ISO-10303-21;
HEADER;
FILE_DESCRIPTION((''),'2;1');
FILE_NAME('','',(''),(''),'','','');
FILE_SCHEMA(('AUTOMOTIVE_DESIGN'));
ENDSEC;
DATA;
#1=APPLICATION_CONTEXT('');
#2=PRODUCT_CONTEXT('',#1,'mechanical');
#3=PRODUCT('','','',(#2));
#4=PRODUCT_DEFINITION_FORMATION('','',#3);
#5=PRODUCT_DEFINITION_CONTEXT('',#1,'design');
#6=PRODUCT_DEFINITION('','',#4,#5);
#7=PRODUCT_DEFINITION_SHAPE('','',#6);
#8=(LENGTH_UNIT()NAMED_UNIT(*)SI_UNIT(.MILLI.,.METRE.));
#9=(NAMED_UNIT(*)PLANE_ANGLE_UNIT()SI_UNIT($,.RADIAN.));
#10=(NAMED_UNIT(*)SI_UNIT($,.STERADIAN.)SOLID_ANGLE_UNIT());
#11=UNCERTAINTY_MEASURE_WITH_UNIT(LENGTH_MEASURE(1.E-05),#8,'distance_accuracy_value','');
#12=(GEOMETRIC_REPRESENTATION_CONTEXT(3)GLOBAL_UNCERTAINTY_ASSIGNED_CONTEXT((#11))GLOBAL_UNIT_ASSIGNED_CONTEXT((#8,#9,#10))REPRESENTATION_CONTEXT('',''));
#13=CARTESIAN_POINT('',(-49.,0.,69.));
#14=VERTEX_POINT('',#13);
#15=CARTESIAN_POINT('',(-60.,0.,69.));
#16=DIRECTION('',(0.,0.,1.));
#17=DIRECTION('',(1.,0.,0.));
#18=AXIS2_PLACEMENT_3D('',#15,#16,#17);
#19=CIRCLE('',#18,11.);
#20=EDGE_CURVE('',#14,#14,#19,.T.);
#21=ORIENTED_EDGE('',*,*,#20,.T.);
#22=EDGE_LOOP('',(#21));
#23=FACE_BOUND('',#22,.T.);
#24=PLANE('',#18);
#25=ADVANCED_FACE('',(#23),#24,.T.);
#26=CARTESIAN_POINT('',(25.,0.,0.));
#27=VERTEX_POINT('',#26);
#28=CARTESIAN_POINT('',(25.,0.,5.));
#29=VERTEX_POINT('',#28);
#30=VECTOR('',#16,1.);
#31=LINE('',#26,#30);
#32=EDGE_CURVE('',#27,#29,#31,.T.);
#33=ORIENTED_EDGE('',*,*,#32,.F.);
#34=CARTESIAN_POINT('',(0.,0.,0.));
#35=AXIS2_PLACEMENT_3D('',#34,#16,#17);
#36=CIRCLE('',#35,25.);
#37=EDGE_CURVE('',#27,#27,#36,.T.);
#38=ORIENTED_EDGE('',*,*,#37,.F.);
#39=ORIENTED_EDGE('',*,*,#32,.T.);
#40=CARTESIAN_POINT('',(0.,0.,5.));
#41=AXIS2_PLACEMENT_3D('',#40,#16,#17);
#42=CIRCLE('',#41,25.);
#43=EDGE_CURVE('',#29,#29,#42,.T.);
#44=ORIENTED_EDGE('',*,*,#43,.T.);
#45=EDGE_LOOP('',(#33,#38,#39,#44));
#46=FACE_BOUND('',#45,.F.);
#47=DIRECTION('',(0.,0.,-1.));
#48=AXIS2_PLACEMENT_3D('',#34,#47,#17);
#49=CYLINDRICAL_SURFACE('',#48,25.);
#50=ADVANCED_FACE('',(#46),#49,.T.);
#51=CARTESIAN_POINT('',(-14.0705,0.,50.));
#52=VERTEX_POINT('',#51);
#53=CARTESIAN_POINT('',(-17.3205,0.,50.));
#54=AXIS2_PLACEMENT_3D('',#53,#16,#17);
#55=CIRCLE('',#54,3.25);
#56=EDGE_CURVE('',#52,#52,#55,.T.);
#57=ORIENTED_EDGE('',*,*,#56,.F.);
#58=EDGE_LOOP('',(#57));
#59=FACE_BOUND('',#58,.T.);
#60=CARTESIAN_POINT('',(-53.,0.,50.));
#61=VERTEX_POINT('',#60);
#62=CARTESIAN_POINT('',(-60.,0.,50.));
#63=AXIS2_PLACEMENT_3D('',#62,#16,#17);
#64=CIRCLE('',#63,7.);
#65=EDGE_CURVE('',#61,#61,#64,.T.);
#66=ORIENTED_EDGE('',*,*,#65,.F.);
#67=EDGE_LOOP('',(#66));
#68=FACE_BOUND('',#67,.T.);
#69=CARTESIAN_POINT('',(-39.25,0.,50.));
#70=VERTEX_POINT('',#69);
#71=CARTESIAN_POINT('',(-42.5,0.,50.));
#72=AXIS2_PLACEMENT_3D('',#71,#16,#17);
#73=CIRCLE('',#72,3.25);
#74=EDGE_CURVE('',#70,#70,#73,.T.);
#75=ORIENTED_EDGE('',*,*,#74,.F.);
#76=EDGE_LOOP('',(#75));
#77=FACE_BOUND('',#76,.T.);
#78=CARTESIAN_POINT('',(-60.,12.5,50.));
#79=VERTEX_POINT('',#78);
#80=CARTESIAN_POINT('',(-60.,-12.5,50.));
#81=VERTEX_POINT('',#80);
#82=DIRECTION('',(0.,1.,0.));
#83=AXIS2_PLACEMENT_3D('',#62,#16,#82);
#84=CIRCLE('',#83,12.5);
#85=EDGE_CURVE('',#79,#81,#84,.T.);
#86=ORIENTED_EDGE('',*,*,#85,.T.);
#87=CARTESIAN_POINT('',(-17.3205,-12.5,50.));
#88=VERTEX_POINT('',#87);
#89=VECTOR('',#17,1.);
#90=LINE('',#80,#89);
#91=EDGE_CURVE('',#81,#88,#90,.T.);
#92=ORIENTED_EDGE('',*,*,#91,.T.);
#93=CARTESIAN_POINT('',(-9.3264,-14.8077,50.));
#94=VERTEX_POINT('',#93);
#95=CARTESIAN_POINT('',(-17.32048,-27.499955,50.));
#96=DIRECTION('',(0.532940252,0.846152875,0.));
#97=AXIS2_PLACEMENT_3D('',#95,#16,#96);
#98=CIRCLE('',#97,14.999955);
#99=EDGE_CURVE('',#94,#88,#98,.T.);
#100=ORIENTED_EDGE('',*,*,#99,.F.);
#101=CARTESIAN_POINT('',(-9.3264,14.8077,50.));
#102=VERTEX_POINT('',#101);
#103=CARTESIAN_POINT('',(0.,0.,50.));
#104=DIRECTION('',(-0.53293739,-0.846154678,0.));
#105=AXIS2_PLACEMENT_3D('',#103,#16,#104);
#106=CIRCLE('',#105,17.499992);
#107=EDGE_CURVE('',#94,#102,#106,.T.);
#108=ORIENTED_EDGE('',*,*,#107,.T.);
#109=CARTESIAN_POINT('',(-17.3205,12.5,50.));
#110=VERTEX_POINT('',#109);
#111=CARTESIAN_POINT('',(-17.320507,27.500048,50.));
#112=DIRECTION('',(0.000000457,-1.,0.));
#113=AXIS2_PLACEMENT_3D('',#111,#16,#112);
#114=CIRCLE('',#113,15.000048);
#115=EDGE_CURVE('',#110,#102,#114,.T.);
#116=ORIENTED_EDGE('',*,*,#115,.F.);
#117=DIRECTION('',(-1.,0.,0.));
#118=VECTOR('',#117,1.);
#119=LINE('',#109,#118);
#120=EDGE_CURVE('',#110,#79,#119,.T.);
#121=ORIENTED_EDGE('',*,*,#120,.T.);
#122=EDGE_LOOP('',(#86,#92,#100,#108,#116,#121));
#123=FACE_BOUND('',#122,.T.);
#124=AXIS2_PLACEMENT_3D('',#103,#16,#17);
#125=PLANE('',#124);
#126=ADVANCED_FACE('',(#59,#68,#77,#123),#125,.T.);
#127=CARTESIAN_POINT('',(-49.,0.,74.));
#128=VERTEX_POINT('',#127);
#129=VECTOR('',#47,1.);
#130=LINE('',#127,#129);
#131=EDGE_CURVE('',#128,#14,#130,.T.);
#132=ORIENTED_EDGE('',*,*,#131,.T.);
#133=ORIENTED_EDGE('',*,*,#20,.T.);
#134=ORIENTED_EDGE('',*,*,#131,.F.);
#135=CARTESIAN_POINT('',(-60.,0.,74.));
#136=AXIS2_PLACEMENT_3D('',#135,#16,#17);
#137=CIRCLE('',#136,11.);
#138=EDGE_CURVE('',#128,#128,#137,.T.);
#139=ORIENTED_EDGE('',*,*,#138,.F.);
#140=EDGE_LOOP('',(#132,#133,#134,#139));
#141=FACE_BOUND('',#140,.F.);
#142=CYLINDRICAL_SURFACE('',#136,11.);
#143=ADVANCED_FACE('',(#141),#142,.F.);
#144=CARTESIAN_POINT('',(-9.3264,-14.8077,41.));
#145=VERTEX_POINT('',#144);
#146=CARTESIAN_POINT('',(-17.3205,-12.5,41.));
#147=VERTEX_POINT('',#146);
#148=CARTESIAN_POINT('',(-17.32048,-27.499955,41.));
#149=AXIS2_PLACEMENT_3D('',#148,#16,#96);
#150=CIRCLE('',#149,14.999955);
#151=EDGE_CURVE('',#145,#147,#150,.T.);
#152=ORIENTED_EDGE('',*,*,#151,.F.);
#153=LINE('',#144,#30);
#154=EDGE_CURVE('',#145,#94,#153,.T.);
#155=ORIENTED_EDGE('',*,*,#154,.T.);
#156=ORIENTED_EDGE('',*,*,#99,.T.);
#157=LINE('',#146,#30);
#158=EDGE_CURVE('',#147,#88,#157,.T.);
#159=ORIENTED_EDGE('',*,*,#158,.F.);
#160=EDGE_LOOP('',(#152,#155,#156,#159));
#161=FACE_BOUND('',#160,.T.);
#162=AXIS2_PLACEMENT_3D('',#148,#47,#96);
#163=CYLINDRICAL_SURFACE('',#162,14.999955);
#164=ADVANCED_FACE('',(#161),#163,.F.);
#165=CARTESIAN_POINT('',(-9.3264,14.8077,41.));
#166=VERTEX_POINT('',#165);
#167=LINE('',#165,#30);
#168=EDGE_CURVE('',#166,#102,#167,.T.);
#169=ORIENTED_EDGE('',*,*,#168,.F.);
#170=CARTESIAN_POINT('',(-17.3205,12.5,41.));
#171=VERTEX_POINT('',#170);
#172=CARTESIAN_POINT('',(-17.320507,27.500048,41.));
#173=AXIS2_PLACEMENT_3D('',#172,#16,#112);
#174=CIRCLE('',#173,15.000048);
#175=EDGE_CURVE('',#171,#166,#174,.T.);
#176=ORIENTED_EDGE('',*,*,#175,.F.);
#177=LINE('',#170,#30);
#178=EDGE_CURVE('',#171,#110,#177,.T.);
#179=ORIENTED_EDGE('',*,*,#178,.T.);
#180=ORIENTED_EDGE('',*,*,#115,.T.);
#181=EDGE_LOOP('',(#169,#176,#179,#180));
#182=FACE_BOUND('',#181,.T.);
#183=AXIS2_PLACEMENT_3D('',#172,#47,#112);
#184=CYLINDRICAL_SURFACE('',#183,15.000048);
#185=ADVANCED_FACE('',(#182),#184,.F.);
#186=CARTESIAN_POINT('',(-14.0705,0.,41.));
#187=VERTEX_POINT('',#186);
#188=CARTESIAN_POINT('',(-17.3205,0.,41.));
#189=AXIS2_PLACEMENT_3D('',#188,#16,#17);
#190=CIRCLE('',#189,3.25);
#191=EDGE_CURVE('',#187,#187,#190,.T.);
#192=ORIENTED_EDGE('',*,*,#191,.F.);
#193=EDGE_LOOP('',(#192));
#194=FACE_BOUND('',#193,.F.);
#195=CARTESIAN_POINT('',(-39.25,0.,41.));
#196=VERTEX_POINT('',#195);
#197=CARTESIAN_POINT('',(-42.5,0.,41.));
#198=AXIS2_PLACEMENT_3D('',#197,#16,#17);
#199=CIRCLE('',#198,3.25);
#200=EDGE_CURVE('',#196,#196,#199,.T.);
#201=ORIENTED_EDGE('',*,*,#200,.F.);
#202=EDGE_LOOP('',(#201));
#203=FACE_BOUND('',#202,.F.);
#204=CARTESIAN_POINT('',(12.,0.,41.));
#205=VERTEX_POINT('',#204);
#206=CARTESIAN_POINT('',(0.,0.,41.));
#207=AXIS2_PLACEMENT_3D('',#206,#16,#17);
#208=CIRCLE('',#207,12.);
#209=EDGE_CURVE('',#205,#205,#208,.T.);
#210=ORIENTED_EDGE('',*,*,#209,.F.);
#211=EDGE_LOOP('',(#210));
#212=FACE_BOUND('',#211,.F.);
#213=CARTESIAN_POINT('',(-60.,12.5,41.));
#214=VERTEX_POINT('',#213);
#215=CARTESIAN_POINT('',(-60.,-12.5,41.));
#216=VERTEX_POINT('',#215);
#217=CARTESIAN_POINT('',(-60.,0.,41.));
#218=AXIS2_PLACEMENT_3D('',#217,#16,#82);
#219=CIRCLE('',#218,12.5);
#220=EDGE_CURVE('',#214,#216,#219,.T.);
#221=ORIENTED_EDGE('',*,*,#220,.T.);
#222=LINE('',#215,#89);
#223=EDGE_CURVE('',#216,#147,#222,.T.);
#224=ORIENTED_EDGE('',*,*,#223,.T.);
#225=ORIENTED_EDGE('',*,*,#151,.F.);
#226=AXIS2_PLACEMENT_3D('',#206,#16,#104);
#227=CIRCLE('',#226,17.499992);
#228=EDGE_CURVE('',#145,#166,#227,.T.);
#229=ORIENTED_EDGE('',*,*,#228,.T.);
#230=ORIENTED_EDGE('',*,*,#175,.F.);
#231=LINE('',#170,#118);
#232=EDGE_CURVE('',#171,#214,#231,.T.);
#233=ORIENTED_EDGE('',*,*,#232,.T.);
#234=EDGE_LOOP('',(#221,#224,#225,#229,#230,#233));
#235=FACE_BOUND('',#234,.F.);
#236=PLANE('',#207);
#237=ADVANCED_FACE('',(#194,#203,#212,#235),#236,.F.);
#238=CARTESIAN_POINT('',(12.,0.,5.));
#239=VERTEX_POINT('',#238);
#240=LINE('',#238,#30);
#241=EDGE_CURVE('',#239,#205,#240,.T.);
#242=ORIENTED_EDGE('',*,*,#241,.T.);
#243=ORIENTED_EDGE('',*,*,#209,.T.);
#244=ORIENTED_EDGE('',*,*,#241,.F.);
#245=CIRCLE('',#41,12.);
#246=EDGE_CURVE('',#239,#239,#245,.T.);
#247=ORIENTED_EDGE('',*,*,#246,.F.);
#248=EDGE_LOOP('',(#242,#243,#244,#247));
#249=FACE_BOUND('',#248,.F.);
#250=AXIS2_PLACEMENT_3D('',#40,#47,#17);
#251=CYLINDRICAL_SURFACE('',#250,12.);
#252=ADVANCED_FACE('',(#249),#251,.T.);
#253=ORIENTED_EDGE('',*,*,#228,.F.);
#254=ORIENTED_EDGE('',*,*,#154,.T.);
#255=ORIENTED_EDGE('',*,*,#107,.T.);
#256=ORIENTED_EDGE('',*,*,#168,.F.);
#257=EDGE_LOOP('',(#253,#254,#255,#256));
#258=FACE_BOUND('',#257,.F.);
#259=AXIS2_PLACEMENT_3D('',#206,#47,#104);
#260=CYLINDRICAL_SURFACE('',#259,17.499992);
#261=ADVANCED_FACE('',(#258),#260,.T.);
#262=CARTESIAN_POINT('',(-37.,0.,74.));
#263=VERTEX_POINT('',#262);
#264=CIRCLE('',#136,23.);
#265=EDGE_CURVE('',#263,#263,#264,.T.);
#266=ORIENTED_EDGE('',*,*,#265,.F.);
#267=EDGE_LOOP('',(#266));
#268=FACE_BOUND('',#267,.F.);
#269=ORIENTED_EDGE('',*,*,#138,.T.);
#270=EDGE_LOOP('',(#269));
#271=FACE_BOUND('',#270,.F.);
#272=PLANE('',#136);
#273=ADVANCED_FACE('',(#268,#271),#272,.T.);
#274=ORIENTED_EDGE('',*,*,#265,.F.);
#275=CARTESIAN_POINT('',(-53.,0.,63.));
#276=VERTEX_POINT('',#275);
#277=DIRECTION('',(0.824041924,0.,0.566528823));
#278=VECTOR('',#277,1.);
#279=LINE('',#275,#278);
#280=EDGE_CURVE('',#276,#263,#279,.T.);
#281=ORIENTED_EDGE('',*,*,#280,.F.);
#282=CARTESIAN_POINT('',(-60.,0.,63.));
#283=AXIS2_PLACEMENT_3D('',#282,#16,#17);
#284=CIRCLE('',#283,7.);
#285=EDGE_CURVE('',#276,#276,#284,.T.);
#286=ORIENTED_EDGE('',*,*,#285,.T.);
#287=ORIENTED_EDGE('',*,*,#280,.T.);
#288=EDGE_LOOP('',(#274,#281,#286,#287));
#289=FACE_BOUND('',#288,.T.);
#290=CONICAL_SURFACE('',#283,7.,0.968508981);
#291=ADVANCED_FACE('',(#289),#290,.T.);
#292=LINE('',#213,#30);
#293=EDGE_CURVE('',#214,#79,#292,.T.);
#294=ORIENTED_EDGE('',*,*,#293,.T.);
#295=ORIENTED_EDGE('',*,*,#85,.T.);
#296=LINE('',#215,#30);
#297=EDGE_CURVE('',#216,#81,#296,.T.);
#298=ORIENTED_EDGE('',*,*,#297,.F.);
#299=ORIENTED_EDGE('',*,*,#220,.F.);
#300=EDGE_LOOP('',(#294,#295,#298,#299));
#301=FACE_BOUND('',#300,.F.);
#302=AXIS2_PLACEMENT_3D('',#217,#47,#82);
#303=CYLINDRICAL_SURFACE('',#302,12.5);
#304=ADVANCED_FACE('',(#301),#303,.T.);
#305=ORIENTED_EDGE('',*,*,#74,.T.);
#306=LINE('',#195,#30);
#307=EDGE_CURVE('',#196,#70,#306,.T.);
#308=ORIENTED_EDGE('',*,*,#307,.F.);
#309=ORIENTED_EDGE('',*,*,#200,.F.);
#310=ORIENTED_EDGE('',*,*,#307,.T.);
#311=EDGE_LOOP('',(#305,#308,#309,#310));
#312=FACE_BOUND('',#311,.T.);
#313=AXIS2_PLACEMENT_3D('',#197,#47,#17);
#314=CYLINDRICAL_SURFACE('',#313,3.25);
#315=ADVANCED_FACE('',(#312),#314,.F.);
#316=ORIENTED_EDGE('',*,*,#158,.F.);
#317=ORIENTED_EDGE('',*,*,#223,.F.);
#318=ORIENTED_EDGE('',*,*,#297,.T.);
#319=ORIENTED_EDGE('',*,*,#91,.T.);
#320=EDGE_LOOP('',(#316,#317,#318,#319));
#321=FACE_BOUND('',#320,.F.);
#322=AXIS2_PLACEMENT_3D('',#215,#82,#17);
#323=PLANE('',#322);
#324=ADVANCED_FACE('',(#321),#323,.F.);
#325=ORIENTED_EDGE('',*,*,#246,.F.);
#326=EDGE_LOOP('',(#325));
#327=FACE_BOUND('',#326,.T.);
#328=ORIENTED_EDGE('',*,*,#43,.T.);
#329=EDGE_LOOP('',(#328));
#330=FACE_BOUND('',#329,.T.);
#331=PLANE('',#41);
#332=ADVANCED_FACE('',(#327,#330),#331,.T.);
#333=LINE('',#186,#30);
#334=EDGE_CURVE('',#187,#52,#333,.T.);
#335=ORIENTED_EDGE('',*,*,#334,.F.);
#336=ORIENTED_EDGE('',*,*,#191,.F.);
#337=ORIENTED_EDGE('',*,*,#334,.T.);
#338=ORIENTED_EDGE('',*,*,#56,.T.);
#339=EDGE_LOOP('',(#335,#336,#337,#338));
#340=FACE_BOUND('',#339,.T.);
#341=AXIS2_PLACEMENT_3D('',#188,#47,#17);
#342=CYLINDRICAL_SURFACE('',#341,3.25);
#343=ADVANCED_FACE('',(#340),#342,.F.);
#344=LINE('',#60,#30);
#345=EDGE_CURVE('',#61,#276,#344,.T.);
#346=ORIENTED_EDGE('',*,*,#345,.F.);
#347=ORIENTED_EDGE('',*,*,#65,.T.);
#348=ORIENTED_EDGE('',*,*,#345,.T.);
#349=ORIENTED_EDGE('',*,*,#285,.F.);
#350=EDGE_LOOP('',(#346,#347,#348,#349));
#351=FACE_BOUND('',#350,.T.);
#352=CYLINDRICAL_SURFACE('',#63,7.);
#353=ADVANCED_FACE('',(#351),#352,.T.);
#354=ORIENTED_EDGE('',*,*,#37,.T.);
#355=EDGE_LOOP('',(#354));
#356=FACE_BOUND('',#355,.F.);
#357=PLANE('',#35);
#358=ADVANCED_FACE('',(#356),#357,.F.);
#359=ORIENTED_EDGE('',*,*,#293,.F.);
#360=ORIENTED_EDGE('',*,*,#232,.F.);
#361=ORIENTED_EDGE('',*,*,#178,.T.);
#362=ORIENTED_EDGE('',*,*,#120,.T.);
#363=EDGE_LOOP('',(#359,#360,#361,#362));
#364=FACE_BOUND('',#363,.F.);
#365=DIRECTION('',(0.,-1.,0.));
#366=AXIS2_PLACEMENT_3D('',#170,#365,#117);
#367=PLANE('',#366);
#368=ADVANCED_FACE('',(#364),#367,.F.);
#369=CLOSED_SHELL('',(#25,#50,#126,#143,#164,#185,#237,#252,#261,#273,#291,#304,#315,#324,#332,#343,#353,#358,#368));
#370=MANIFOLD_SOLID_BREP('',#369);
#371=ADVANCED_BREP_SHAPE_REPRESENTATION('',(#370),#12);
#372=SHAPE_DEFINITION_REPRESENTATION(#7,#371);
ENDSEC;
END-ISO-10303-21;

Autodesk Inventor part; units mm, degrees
ref_plane "YZ Plane" through (0, 0, 0) normal (1, 0, 0) x (0, 1, 0)
ref_plane "XZ Plane" through (0, 0, 0) normal (0, 1, 0) x (-1, 0, 0)
ref_plane "XY Plane" through (0, 0, 0) normal (0, 0, 1) x (1, 0, 0)
sketch "Boceto2" plane through (0, 0, 0) normal (0, 0, 1) x (1, 0, 0)
  circle A0 centre (0, 0) radius 25
  dimension "d0" = 50
extrude "Extrusión1" add sketch "Boceto2" along normal blind 5
sketch "Boceto3" plane through (0, 0, 5) normal (0, 0, 1) x (1, 0, 0)
  circle A0 centre (0, 0) radius 12
  dimension "d3" = 24
extrude "Extrusión2" add sketch "Boceto3" along normal blind 36
sketch "Boceto4" plane through (0, 0, 41) normal (0, 0, 1) x (1, 0, 0)
  line L0 (-17.3205, 12.5) -> (-60, 12.5)
  line L1 (-60, -12.5) -> (-17.3205, -12.5)
  arc A0 (-60, 12.5) -> (-60, -12.5) centre (-60, 0) ccw
  arc A1 (-9.3264, -14.8077) -> (-9.3264, 14.8077) centre (0, 0) ccw
  arc A2 (-17.3205, 12.5) -> (-9.3264, 14.8077) centre (-17.3205, 27.5) ccw
  arc A3 (-9.3264, -14.8077) -> (-17.3205, -12.5) centre (-17.3205, -27.5) ccw
  circle A4 centre (0, 0) radius 8.1
  circle A5 centre (-42.5, 0) radius 3.25
  circle A6 centre (-17.3205, 0) radius 3.25
  circle A7 centre (-60, 0) radius 7
  point P0 (0, 0)
  point P1 (-12.2474, 12.5)
  point P2 (-12.2474, -12.5)
  point P3 (-17.175, 19.5112)
extrude "Extrusión3" add sketch "Boceto4" along normal blind 9 contours A2 A1 A3 L1 A0 L0 | A4
ref_plane "Plano de trabajo1" through (-60, 0, 41) normal (0, 1, 0) x (1, 0, 0)
sketch "Boceto6" plane through (-60, 0, 41) normal (0, 1, 0) x (1, 0, 0)
  line L0 (7, -9) -> (7, 0)
  line L1 (7, 0) -> (-7, 0)
  line L2 (-7, 0) -> (-7, -9)
  line L3 (-7, -9) -> (-7, -22)
  line L4 (7, -9) -> (7, -22)
  line L5 (-23, -33) -> (23, -33)
  line L6 (-7, -22) -> (-23, -33)
  line L7 (7, -22) -> (23, -33)
  line L8 (0, 5.1032) -> (0, -35.579)
  point P0 (60, 41)
  point P1 (0, 0)
  point P2 (0, -33)
  dimension "d8" = 14
  dimension "d9" = 9
  dimension "d10" = 13
  dimension "d11" = 13
  dimension "d12" = 46
  dimension "d13" = 11
revolve "Revolución1" add sketch "Boceto6" angle 360 about axis through (-60, 0, 35.8968) along (0, 0, 1) contours L4 L7 L5 L8 L1 L0
sketch "Boceto7" plane through (-60, 0, 74) normal (0, 0, 1) x (1, 0, 0)
  circle A0 centre (0, 0) radius 23 projected
  circle A1 centre (0, 0) radius 11
  point P0 (60, 0)
  dimension "d15" = 22
extrude "Extrusión4" cut sketch "Boceto7" against normal blind 5 contours A1
properties part number "Herramientav2"
